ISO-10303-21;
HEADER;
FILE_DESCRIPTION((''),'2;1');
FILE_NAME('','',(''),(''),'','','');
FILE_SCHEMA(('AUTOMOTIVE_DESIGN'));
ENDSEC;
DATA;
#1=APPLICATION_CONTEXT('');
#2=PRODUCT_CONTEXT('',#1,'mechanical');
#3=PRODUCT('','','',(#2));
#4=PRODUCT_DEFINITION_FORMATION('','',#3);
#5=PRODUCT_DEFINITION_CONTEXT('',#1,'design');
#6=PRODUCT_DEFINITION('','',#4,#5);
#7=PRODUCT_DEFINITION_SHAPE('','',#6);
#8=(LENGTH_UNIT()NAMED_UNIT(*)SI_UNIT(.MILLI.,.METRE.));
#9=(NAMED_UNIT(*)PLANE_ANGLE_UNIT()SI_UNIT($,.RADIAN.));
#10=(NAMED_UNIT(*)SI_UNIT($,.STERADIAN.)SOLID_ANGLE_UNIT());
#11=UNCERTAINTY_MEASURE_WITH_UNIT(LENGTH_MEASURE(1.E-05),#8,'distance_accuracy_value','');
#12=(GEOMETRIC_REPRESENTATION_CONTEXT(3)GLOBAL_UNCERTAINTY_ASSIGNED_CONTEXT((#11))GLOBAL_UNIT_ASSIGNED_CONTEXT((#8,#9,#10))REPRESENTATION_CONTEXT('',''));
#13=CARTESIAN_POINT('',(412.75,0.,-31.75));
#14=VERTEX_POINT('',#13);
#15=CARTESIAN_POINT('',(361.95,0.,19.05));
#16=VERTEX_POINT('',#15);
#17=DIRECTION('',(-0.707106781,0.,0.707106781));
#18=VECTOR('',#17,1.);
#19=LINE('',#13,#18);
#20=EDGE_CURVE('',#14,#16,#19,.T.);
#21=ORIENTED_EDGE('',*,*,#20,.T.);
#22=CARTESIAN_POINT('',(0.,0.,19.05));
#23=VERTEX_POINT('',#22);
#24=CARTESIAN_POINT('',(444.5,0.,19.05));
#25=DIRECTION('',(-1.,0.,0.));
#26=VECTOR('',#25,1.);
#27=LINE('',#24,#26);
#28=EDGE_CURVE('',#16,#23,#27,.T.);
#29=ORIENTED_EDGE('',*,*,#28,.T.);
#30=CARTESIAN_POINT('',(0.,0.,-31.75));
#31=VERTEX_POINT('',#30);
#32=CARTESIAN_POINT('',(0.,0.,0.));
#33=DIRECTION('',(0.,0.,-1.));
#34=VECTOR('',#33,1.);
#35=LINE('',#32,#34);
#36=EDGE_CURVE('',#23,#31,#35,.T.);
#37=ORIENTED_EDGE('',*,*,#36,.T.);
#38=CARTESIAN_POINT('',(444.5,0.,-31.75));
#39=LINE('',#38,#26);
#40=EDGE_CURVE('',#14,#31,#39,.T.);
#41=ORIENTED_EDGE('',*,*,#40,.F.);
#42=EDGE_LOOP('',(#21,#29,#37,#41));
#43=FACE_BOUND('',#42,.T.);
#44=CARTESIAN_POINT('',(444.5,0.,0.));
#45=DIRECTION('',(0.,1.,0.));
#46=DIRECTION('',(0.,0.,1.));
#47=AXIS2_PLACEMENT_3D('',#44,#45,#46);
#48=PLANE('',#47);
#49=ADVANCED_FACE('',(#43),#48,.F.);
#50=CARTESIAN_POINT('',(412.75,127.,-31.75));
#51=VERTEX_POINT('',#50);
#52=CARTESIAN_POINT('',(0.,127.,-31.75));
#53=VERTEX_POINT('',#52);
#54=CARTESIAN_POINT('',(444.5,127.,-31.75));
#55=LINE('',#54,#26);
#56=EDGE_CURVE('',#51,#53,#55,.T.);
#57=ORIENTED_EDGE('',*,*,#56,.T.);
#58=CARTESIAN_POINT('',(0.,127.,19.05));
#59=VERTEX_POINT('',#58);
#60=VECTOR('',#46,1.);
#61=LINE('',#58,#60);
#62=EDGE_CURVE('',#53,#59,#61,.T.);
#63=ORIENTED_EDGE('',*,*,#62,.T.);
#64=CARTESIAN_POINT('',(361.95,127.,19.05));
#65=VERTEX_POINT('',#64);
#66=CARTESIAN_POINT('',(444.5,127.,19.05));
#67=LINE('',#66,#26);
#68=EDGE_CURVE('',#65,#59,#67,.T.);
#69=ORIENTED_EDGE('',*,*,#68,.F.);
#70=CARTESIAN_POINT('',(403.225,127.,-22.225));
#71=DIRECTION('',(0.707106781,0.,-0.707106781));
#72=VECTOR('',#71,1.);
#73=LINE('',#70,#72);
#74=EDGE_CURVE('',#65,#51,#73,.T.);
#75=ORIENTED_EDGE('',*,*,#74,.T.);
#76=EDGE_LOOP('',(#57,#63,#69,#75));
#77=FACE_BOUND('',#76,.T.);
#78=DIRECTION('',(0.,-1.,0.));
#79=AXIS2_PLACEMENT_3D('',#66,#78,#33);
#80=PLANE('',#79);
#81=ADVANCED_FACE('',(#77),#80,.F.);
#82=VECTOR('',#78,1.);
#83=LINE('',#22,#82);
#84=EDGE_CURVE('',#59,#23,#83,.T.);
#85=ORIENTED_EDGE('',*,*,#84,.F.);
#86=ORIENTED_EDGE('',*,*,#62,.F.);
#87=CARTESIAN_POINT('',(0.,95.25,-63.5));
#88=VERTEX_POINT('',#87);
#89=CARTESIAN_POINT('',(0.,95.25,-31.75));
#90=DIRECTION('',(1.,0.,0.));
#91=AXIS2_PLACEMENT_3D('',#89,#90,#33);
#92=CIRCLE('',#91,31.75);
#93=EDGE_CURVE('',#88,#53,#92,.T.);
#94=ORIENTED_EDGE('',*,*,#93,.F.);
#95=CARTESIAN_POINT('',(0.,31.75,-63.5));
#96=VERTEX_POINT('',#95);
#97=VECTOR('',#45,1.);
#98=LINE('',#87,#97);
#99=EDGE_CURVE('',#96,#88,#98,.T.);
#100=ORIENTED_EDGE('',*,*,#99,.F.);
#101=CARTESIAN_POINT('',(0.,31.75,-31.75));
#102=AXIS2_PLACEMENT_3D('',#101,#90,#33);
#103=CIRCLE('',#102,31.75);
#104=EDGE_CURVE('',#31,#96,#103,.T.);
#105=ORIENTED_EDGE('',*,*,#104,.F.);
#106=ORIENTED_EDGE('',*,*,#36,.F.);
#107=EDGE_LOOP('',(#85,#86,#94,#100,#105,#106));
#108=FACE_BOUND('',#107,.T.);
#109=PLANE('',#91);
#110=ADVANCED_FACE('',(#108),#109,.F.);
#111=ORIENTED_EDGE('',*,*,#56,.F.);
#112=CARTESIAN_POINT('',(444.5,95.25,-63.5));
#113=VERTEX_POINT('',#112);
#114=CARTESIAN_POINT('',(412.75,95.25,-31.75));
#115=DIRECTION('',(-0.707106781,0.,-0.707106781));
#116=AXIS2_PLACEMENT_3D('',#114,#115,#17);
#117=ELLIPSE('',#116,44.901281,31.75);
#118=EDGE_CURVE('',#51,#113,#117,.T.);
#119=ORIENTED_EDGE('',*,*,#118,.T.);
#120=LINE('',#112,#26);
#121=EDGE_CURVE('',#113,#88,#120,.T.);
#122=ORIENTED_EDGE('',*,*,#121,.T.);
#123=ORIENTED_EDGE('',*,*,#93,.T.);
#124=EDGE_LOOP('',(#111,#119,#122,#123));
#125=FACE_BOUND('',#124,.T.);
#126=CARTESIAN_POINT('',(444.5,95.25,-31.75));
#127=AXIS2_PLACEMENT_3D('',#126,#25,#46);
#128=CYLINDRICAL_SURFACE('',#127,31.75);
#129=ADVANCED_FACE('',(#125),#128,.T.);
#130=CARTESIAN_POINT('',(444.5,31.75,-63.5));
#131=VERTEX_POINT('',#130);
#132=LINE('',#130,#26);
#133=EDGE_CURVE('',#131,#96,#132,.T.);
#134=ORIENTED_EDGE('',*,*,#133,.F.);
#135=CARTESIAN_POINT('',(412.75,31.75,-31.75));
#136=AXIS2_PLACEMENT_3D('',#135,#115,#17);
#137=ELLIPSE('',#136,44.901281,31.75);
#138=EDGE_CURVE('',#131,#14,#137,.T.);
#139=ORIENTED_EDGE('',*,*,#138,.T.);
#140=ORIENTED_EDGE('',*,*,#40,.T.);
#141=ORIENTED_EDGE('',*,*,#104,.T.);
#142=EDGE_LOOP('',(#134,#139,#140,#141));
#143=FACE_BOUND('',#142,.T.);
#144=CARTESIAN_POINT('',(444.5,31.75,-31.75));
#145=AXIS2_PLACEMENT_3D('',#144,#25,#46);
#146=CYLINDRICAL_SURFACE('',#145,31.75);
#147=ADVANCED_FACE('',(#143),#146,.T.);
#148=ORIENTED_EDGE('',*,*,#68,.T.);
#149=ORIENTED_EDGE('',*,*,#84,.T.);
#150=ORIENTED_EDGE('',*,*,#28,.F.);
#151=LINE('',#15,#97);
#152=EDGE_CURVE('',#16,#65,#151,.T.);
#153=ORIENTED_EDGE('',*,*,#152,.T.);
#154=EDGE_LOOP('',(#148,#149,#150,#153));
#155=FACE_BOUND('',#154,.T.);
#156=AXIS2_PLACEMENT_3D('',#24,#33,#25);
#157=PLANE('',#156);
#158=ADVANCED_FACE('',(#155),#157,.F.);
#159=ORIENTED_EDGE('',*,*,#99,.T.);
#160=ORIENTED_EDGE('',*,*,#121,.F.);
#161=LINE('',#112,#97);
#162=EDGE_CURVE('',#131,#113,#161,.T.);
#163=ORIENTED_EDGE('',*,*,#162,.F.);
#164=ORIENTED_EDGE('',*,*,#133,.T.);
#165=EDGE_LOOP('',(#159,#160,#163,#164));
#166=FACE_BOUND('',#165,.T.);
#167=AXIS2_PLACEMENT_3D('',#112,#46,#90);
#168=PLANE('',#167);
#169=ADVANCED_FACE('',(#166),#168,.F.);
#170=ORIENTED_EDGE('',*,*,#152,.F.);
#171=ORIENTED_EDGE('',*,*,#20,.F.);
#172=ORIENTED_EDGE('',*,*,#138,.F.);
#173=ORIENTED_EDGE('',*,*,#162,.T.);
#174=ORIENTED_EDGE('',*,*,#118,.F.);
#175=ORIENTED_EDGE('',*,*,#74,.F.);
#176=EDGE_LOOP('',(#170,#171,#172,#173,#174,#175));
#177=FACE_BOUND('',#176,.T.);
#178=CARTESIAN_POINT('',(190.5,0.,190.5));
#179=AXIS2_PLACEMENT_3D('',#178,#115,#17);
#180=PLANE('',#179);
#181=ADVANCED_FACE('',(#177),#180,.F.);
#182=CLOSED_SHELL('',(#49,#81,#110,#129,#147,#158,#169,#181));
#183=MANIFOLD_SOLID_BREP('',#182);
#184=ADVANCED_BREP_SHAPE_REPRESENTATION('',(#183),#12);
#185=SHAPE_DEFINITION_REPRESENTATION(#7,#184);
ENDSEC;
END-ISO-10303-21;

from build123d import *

# Parameters (mm, degrees)
BOSS_EXTRUDE1_DEPTH = 444.5
SKETCH2_W           = 344.402501539
SKETCH2_H           = 780.457540958
CUT_EXTRUDE1_DEPTH  = 59.371664787


with BuildPart() as part:
    # Sketch1 → Boss-Extrude1 (new body)
    with BuildSketch(Plane(origin=(0, 0, 0), x_dir=(0, 0, -1), z_dir=(1, 0, 0))):
        with BuildLine():
            Line((0, 0), (31.75, 0))
            ThreePointArc((31.75, 0), (54.200640303, 9.299359697), (63.5, 31.75))
            Line((63.5, 31.75), (63.5, 95.25))
            ThreePointArc((63.5, 95.25), (54.200640303, 117.700640303), (31.75, 127))
            Line((31.75, 127), (0, 127))
            Line((0, 127), (-19.05, 127))
            Line((-19.05, 127), (-19.05, 0))
            Line((-19.05, 0), (0, 0))
        make_face()
    extrude(amount=BOSS_EXTRUDE1_DEPTH)

    # Sketch2 → Cut-Extrude1 (cut, through all)
    with BuildSketch(Plane(origin=(190.5, 0, 190.5), x_dir=(0, 1, 0), z_dir=(0.707106781, 0, 0.707106781))):
        with Locations((32.995160032, -359.210244843)):
            Rectangle(SKETCH2_W, SKETCH2_H)
    extrude(amount=CUT_EXTRUDE1_DEPTH, mode=Mode.SUBTRACT)


solid = part.part
